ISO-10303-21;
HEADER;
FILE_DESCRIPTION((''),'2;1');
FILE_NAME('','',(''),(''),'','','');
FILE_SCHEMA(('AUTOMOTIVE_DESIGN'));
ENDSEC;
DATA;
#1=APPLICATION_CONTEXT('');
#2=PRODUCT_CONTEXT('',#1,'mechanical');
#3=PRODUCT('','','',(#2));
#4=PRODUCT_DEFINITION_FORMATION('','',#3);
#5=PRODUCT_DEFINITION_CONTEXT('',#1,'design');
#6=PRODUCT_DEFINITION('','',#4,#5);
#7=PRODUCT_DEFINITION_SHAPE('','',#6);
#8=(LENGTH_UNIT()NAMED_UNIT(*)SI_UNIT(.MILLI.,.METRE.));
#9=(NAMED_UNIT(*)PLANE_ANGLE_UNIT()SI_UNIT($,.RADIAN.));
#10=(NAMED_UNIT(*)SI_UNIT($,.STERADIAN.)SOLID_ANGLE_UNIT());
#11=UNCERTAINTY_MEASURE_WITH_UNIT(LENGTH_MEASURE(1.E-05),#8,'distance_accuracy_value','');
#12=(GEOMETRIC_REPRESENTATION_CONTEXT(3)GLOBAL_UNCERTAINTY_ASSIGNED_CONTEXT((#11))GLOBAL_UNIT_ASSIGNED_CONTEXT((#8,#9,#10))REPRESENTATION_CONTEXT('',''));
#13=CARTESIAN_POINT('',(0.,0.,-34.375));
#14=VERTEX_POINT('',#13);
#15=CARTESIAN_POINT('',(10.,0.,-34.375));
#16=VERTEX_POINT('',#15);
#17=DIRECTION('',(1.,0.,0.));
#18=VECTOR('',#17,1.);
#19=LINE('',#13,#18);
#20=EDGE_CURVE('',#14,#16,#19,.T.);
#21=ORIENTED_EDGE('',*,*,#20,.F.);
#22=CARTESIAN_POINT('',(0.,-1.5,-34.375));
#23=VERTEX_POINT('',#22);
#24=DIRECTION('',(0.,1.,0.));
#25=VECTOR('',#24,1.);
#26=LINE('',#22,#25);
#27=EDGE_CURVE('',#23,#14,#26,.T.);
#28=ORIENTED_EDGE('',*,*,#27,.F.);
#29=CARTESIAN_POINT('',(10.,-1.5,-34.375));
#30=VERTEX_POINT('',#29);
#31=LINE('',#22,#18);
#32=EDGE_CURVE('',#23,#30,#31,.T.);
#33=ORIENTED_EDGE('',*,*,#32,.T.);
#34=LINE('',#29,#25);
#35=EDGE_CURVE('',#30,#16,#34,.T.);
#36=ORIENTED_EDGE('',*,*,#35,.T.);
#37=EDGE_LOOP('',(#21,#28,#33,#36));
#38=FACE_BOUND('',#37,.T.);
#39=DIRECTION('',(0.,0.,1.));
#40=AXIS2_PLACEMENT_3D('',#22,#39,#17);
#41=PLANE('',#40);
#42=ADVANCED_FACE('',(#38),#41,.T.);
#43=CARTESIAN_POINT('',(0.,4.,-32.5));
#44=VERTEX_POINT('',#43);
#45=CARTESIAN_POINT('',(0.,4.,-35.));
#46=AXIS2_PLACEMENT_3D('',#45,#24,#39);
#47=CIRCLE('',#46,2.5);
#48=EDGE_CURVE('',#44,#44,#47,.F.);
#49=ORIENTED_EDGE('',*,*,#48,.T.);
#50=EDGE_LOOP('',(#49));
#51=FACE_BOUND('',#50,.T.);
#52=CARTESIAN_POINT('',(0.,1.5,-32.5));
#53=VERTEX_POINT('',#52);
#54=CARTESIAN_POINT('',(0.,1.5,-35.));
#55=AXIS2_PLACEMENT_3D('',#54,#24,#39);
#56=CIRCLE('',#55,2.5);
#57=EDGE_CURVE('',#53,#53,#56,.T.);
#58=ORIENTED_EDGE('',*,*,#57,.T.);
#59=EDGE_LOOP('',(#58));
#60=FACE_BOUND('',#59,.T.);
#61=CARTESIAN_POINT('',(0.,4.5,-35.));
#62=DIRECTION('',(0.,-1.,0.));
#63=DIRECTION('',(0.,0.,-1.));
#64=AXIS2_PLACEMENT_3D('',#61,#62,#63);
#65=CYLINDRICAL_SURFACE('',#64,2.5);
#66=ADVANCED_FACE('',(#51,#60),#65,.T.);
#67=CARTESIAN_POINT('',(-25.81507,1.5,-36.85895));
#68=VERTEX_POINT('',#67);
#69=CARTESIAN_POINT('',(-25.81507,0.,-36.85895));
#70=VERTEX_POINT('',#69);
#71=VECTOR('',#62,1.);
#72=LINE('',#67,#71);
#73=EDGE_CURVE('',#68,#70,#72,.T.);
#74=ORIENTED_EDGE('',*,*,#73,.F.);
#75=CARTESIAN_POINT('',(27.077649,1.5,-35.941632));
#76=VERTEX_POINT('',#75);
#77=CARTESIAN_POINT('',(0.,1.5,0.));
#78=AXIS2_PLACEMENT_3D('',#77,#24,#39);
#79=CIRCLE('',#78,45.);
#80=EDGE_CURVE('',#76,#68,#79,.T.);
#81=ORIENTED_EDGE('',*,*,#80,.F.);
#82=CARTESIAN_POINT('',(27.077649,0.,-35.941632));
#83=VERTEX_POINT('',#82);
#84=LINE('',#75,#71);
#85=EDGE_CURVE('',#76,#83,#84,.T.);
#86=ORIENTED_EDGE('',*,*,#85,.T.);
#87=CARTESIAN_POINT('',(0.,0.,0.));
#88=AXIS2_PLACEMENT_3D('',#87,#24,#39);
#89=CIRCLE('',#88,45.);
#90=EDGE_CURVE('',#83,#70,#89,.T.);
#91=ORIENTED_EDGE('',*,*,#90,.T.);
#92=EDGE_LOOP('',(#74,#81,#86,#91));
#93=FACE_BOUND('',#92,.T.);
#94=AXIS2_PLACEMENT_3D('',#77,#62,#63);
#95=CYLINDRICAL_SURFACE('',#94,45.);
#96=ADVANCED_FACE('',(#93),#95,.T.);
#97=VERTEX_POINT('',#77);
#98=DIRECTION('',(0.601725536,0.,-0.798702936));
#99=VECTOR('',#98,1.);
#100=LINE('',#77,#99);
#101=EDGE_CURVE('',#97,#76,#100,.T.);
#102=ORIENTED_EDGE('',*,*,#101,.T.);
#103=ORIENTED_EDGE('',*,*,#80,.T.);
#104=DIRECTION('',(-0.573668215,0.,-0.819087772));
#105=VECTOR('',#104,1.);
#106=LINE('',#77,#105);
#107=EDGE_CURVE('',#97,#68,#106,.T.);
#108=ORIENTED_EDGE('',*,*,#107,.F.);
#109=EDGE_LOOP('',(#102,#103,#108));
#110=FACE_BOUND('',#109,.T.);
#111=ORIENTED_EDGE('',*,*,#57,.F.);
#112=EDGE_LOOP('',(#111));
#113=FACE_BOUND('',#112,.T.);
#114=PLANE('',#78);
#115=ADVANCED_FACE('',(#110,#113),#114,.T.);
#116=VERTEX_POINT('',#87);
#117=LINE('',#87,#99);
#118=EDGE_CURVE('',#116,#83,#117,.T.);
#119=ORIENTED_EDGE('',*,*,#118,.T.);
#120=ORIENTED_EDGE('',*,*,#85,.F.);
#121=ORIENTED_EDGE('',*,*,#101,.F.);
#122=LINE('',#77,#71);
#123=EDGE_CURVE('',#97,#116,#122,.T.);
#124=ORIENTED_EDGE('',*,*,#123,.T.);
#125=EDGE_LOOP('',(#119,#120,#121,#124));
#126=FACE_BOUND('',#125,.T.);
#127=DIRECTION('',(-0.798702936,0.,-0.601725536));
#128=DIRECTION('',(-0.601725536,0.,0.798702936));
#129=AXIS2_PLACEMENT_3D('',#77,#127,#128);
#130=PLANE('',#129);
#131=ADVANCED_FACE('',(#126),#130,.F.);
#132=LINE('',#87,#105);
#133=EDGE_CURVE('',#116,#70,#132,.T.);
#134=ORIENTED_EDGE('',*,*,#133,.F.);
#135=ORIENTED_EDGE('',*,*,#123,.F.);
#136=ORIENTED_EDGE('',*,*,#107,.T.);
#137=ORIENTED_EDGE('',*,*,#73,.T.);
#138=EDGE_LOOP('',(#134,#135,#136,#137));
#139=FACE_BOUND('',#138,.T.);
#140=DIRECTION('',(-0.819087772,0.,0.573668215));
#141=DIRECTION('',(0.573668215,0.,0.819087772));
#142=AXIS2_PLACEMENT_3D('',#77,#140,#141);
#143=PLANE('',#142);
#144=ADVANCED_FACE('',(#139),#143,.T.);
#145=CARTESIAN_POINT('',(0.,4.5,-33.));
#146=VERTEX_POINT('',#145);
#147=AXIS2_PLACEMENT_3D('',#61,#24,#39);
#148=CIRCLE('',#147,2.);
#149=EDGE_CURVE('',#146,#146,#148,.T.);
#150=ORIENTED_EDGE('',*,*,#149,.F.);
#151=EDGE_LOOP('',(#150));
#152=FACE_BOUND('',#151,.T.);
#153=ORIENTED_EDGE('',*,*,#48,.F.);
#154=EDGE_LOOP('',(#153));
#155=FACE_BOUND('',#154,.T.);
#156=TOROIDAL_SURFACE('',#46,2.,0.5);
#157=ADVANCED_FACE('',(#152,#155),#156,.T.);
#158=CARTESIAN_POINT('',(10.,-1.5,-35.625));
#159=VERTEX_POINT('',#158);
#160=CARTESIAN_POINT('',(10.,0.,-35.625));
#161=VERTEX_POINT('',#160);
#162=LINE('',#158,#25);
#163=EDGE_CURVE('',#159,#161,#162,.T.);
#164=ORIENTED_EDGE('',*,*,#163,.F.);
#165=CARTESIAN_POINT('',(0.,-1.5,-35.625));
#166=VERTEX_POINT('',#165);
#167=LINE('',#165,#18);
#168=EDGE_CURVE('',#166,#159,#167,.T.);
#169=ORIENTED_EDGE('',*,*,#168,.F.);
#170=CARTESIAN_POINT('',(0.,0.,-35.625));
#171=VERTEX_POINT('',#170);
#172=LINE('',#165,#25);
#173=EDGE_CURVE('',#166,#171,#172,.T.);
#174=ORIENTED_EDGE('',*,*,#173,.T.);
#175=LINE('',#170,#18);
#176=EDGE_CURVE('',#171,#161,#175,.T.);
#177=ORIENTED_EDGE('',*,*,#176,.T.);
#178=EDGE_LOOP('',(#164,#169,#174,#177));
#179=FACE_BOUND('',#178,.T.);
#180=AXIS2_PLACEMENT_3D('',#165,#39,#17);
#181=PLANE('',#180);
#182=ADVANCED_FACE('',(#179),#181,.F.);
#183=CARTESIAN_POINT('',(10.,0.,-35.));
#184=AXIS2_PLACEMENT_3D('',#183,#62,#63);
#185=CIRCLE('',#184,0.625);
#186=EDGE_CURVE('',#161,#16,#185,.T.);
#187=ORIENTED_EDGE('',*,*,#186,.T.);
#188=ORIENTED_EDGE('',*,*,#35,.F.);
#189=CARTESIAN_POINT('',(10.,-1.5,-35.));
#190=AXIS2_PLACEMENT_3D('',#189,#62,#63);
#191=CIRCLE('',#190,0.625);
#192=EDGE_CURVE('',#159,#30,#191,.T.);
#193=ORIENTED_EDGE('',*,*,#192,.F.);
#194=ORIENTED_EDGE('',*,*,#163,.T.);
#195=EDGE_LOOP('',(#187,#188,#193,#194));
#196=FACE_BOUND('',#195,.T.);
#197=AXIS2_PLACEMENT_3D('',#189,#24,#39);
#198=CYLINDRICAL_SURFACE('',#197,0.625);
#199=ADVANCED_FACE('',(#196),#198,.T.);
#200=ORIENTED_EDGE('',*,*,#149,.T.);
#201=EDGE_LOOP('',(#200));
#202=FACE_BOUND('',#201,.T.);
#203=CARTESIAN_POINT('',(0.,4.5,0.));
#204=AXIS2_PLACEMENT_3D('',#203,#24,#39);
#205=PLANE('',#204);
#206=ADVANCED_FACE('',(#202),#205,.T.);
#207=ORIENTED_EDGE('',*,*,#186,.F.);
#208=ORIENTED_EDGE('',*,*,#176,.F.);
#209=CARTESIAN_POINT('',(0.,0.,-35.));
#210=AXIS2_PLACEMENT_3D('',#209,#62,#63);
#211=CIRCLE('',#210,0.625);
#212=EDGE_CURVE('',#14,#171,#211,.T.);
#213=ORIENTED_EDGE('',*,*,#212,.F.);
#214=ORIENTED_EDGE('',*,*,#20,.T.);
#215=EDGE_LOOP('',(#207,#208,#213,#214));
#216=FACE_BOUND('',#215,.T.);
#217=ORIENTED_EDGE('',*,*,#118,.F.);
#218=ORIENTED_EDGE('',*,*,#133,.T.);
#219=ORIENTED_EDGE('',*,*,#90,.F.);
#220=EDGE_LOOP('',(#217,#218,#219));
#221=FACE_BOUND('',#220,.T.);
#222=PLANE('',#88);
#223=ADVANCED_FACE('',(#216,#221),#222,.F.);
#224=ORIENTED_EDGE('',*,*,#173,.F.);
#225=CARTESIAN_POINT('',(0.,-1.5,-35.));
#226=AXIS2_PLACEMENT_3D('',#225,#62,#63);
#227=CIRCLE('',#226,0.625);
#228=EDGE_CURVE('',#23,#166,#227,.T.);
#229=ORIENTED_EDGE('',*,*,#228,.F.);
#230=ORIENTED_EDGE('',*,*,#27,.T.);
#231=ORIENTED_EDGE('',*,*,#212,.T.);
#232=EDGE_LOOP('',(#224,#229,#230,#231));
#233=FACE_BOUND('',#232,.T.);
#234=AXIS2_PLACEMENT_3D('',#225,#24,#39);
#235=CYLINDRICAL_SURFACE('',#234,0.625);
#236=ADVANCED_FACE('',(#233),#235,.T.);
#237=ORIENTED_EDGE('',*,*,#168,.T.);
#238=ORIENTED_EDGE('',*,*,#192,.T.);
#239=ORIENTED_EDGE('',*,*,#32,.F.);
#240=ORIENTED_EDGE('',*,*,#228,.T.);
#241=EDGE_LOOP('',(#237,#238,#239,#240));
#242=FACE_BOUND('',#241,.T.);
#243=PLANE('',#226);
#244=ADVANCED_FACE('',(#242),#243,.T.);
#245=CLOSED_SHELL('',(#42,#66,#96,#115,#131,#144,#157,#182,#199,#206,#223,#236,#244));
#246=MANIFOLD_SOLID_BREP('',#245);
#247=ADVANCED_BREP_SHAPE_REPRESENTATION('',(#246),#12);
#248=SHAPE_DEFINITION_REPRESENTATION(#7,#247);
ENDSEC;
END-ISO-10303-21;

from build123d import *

# Parameters (mm, degrees)
BOSS_EXTRUDE1_DEPTH = 1.5
BOSS_EXTRUDE2_DEPTH = 1.5
SKETCH4_R           = 2.5
BOSS_EXTRUDE3_DEPTH = 3
FILLET1_R           = 0.5


with BuildPart() as part:
    # Sketch2 → Boss-Extrude1 (new body)
    with BuildSketch(Plane(origin=(0, 0, 0), x_dir=(1, 0, 0), z_dir=(0, 1, 0))):
        with BuildLine():
            Line((-25.815069681, 36.858949759), (0, 0))
            Line((0, 0), (27.07764911, 35.94163211))
            ThreePointArc((27.07764911, 35.94163211), (0.780317, 44.993233996), (-25.815069681, 36.858949759))
        make_face()
    extrude(amount=BOSS_EXTRUDE1_DEPTH)

    # Sketch3 → Boss-Extrude2 (add)
    with BuildSketch(Plane.XZ):
        with BuildLine():
            Line((0, -34.375), (10, -34.375))
            ThreePointArc((10, -34.375), (10.625, -35), (10, -35.625))
            Line((10, -35.625), (0, -35.625))
            ThreePointArc((0, -35.625), (-0.625, -35), (0, -34.375))
        make_face()
    extrude(amount=BOSS_EXTRUDE2_DEPTH)

    # Sketch4 → Boss-Extrude3 (add)
    with BuildSketch(Plane(origin=(0, 1.5, 0), x_dir=(1, 0, 0), z_dir=(0, 1, 0))):
        with Locations((0, 35)):
            Circle(SKETCH4_R)
    extrude(amount=BOSS_EXTRUDE3_DEPTH)

    # Fillet1
    fillet1_edges = [part.edges().sort_by_distance(p)[0] for p in [
        (-2.5, 4.5, -35),
    ]]
    fillet(fillet1_edges, radius=FILLET1_R)


solid = part.part
